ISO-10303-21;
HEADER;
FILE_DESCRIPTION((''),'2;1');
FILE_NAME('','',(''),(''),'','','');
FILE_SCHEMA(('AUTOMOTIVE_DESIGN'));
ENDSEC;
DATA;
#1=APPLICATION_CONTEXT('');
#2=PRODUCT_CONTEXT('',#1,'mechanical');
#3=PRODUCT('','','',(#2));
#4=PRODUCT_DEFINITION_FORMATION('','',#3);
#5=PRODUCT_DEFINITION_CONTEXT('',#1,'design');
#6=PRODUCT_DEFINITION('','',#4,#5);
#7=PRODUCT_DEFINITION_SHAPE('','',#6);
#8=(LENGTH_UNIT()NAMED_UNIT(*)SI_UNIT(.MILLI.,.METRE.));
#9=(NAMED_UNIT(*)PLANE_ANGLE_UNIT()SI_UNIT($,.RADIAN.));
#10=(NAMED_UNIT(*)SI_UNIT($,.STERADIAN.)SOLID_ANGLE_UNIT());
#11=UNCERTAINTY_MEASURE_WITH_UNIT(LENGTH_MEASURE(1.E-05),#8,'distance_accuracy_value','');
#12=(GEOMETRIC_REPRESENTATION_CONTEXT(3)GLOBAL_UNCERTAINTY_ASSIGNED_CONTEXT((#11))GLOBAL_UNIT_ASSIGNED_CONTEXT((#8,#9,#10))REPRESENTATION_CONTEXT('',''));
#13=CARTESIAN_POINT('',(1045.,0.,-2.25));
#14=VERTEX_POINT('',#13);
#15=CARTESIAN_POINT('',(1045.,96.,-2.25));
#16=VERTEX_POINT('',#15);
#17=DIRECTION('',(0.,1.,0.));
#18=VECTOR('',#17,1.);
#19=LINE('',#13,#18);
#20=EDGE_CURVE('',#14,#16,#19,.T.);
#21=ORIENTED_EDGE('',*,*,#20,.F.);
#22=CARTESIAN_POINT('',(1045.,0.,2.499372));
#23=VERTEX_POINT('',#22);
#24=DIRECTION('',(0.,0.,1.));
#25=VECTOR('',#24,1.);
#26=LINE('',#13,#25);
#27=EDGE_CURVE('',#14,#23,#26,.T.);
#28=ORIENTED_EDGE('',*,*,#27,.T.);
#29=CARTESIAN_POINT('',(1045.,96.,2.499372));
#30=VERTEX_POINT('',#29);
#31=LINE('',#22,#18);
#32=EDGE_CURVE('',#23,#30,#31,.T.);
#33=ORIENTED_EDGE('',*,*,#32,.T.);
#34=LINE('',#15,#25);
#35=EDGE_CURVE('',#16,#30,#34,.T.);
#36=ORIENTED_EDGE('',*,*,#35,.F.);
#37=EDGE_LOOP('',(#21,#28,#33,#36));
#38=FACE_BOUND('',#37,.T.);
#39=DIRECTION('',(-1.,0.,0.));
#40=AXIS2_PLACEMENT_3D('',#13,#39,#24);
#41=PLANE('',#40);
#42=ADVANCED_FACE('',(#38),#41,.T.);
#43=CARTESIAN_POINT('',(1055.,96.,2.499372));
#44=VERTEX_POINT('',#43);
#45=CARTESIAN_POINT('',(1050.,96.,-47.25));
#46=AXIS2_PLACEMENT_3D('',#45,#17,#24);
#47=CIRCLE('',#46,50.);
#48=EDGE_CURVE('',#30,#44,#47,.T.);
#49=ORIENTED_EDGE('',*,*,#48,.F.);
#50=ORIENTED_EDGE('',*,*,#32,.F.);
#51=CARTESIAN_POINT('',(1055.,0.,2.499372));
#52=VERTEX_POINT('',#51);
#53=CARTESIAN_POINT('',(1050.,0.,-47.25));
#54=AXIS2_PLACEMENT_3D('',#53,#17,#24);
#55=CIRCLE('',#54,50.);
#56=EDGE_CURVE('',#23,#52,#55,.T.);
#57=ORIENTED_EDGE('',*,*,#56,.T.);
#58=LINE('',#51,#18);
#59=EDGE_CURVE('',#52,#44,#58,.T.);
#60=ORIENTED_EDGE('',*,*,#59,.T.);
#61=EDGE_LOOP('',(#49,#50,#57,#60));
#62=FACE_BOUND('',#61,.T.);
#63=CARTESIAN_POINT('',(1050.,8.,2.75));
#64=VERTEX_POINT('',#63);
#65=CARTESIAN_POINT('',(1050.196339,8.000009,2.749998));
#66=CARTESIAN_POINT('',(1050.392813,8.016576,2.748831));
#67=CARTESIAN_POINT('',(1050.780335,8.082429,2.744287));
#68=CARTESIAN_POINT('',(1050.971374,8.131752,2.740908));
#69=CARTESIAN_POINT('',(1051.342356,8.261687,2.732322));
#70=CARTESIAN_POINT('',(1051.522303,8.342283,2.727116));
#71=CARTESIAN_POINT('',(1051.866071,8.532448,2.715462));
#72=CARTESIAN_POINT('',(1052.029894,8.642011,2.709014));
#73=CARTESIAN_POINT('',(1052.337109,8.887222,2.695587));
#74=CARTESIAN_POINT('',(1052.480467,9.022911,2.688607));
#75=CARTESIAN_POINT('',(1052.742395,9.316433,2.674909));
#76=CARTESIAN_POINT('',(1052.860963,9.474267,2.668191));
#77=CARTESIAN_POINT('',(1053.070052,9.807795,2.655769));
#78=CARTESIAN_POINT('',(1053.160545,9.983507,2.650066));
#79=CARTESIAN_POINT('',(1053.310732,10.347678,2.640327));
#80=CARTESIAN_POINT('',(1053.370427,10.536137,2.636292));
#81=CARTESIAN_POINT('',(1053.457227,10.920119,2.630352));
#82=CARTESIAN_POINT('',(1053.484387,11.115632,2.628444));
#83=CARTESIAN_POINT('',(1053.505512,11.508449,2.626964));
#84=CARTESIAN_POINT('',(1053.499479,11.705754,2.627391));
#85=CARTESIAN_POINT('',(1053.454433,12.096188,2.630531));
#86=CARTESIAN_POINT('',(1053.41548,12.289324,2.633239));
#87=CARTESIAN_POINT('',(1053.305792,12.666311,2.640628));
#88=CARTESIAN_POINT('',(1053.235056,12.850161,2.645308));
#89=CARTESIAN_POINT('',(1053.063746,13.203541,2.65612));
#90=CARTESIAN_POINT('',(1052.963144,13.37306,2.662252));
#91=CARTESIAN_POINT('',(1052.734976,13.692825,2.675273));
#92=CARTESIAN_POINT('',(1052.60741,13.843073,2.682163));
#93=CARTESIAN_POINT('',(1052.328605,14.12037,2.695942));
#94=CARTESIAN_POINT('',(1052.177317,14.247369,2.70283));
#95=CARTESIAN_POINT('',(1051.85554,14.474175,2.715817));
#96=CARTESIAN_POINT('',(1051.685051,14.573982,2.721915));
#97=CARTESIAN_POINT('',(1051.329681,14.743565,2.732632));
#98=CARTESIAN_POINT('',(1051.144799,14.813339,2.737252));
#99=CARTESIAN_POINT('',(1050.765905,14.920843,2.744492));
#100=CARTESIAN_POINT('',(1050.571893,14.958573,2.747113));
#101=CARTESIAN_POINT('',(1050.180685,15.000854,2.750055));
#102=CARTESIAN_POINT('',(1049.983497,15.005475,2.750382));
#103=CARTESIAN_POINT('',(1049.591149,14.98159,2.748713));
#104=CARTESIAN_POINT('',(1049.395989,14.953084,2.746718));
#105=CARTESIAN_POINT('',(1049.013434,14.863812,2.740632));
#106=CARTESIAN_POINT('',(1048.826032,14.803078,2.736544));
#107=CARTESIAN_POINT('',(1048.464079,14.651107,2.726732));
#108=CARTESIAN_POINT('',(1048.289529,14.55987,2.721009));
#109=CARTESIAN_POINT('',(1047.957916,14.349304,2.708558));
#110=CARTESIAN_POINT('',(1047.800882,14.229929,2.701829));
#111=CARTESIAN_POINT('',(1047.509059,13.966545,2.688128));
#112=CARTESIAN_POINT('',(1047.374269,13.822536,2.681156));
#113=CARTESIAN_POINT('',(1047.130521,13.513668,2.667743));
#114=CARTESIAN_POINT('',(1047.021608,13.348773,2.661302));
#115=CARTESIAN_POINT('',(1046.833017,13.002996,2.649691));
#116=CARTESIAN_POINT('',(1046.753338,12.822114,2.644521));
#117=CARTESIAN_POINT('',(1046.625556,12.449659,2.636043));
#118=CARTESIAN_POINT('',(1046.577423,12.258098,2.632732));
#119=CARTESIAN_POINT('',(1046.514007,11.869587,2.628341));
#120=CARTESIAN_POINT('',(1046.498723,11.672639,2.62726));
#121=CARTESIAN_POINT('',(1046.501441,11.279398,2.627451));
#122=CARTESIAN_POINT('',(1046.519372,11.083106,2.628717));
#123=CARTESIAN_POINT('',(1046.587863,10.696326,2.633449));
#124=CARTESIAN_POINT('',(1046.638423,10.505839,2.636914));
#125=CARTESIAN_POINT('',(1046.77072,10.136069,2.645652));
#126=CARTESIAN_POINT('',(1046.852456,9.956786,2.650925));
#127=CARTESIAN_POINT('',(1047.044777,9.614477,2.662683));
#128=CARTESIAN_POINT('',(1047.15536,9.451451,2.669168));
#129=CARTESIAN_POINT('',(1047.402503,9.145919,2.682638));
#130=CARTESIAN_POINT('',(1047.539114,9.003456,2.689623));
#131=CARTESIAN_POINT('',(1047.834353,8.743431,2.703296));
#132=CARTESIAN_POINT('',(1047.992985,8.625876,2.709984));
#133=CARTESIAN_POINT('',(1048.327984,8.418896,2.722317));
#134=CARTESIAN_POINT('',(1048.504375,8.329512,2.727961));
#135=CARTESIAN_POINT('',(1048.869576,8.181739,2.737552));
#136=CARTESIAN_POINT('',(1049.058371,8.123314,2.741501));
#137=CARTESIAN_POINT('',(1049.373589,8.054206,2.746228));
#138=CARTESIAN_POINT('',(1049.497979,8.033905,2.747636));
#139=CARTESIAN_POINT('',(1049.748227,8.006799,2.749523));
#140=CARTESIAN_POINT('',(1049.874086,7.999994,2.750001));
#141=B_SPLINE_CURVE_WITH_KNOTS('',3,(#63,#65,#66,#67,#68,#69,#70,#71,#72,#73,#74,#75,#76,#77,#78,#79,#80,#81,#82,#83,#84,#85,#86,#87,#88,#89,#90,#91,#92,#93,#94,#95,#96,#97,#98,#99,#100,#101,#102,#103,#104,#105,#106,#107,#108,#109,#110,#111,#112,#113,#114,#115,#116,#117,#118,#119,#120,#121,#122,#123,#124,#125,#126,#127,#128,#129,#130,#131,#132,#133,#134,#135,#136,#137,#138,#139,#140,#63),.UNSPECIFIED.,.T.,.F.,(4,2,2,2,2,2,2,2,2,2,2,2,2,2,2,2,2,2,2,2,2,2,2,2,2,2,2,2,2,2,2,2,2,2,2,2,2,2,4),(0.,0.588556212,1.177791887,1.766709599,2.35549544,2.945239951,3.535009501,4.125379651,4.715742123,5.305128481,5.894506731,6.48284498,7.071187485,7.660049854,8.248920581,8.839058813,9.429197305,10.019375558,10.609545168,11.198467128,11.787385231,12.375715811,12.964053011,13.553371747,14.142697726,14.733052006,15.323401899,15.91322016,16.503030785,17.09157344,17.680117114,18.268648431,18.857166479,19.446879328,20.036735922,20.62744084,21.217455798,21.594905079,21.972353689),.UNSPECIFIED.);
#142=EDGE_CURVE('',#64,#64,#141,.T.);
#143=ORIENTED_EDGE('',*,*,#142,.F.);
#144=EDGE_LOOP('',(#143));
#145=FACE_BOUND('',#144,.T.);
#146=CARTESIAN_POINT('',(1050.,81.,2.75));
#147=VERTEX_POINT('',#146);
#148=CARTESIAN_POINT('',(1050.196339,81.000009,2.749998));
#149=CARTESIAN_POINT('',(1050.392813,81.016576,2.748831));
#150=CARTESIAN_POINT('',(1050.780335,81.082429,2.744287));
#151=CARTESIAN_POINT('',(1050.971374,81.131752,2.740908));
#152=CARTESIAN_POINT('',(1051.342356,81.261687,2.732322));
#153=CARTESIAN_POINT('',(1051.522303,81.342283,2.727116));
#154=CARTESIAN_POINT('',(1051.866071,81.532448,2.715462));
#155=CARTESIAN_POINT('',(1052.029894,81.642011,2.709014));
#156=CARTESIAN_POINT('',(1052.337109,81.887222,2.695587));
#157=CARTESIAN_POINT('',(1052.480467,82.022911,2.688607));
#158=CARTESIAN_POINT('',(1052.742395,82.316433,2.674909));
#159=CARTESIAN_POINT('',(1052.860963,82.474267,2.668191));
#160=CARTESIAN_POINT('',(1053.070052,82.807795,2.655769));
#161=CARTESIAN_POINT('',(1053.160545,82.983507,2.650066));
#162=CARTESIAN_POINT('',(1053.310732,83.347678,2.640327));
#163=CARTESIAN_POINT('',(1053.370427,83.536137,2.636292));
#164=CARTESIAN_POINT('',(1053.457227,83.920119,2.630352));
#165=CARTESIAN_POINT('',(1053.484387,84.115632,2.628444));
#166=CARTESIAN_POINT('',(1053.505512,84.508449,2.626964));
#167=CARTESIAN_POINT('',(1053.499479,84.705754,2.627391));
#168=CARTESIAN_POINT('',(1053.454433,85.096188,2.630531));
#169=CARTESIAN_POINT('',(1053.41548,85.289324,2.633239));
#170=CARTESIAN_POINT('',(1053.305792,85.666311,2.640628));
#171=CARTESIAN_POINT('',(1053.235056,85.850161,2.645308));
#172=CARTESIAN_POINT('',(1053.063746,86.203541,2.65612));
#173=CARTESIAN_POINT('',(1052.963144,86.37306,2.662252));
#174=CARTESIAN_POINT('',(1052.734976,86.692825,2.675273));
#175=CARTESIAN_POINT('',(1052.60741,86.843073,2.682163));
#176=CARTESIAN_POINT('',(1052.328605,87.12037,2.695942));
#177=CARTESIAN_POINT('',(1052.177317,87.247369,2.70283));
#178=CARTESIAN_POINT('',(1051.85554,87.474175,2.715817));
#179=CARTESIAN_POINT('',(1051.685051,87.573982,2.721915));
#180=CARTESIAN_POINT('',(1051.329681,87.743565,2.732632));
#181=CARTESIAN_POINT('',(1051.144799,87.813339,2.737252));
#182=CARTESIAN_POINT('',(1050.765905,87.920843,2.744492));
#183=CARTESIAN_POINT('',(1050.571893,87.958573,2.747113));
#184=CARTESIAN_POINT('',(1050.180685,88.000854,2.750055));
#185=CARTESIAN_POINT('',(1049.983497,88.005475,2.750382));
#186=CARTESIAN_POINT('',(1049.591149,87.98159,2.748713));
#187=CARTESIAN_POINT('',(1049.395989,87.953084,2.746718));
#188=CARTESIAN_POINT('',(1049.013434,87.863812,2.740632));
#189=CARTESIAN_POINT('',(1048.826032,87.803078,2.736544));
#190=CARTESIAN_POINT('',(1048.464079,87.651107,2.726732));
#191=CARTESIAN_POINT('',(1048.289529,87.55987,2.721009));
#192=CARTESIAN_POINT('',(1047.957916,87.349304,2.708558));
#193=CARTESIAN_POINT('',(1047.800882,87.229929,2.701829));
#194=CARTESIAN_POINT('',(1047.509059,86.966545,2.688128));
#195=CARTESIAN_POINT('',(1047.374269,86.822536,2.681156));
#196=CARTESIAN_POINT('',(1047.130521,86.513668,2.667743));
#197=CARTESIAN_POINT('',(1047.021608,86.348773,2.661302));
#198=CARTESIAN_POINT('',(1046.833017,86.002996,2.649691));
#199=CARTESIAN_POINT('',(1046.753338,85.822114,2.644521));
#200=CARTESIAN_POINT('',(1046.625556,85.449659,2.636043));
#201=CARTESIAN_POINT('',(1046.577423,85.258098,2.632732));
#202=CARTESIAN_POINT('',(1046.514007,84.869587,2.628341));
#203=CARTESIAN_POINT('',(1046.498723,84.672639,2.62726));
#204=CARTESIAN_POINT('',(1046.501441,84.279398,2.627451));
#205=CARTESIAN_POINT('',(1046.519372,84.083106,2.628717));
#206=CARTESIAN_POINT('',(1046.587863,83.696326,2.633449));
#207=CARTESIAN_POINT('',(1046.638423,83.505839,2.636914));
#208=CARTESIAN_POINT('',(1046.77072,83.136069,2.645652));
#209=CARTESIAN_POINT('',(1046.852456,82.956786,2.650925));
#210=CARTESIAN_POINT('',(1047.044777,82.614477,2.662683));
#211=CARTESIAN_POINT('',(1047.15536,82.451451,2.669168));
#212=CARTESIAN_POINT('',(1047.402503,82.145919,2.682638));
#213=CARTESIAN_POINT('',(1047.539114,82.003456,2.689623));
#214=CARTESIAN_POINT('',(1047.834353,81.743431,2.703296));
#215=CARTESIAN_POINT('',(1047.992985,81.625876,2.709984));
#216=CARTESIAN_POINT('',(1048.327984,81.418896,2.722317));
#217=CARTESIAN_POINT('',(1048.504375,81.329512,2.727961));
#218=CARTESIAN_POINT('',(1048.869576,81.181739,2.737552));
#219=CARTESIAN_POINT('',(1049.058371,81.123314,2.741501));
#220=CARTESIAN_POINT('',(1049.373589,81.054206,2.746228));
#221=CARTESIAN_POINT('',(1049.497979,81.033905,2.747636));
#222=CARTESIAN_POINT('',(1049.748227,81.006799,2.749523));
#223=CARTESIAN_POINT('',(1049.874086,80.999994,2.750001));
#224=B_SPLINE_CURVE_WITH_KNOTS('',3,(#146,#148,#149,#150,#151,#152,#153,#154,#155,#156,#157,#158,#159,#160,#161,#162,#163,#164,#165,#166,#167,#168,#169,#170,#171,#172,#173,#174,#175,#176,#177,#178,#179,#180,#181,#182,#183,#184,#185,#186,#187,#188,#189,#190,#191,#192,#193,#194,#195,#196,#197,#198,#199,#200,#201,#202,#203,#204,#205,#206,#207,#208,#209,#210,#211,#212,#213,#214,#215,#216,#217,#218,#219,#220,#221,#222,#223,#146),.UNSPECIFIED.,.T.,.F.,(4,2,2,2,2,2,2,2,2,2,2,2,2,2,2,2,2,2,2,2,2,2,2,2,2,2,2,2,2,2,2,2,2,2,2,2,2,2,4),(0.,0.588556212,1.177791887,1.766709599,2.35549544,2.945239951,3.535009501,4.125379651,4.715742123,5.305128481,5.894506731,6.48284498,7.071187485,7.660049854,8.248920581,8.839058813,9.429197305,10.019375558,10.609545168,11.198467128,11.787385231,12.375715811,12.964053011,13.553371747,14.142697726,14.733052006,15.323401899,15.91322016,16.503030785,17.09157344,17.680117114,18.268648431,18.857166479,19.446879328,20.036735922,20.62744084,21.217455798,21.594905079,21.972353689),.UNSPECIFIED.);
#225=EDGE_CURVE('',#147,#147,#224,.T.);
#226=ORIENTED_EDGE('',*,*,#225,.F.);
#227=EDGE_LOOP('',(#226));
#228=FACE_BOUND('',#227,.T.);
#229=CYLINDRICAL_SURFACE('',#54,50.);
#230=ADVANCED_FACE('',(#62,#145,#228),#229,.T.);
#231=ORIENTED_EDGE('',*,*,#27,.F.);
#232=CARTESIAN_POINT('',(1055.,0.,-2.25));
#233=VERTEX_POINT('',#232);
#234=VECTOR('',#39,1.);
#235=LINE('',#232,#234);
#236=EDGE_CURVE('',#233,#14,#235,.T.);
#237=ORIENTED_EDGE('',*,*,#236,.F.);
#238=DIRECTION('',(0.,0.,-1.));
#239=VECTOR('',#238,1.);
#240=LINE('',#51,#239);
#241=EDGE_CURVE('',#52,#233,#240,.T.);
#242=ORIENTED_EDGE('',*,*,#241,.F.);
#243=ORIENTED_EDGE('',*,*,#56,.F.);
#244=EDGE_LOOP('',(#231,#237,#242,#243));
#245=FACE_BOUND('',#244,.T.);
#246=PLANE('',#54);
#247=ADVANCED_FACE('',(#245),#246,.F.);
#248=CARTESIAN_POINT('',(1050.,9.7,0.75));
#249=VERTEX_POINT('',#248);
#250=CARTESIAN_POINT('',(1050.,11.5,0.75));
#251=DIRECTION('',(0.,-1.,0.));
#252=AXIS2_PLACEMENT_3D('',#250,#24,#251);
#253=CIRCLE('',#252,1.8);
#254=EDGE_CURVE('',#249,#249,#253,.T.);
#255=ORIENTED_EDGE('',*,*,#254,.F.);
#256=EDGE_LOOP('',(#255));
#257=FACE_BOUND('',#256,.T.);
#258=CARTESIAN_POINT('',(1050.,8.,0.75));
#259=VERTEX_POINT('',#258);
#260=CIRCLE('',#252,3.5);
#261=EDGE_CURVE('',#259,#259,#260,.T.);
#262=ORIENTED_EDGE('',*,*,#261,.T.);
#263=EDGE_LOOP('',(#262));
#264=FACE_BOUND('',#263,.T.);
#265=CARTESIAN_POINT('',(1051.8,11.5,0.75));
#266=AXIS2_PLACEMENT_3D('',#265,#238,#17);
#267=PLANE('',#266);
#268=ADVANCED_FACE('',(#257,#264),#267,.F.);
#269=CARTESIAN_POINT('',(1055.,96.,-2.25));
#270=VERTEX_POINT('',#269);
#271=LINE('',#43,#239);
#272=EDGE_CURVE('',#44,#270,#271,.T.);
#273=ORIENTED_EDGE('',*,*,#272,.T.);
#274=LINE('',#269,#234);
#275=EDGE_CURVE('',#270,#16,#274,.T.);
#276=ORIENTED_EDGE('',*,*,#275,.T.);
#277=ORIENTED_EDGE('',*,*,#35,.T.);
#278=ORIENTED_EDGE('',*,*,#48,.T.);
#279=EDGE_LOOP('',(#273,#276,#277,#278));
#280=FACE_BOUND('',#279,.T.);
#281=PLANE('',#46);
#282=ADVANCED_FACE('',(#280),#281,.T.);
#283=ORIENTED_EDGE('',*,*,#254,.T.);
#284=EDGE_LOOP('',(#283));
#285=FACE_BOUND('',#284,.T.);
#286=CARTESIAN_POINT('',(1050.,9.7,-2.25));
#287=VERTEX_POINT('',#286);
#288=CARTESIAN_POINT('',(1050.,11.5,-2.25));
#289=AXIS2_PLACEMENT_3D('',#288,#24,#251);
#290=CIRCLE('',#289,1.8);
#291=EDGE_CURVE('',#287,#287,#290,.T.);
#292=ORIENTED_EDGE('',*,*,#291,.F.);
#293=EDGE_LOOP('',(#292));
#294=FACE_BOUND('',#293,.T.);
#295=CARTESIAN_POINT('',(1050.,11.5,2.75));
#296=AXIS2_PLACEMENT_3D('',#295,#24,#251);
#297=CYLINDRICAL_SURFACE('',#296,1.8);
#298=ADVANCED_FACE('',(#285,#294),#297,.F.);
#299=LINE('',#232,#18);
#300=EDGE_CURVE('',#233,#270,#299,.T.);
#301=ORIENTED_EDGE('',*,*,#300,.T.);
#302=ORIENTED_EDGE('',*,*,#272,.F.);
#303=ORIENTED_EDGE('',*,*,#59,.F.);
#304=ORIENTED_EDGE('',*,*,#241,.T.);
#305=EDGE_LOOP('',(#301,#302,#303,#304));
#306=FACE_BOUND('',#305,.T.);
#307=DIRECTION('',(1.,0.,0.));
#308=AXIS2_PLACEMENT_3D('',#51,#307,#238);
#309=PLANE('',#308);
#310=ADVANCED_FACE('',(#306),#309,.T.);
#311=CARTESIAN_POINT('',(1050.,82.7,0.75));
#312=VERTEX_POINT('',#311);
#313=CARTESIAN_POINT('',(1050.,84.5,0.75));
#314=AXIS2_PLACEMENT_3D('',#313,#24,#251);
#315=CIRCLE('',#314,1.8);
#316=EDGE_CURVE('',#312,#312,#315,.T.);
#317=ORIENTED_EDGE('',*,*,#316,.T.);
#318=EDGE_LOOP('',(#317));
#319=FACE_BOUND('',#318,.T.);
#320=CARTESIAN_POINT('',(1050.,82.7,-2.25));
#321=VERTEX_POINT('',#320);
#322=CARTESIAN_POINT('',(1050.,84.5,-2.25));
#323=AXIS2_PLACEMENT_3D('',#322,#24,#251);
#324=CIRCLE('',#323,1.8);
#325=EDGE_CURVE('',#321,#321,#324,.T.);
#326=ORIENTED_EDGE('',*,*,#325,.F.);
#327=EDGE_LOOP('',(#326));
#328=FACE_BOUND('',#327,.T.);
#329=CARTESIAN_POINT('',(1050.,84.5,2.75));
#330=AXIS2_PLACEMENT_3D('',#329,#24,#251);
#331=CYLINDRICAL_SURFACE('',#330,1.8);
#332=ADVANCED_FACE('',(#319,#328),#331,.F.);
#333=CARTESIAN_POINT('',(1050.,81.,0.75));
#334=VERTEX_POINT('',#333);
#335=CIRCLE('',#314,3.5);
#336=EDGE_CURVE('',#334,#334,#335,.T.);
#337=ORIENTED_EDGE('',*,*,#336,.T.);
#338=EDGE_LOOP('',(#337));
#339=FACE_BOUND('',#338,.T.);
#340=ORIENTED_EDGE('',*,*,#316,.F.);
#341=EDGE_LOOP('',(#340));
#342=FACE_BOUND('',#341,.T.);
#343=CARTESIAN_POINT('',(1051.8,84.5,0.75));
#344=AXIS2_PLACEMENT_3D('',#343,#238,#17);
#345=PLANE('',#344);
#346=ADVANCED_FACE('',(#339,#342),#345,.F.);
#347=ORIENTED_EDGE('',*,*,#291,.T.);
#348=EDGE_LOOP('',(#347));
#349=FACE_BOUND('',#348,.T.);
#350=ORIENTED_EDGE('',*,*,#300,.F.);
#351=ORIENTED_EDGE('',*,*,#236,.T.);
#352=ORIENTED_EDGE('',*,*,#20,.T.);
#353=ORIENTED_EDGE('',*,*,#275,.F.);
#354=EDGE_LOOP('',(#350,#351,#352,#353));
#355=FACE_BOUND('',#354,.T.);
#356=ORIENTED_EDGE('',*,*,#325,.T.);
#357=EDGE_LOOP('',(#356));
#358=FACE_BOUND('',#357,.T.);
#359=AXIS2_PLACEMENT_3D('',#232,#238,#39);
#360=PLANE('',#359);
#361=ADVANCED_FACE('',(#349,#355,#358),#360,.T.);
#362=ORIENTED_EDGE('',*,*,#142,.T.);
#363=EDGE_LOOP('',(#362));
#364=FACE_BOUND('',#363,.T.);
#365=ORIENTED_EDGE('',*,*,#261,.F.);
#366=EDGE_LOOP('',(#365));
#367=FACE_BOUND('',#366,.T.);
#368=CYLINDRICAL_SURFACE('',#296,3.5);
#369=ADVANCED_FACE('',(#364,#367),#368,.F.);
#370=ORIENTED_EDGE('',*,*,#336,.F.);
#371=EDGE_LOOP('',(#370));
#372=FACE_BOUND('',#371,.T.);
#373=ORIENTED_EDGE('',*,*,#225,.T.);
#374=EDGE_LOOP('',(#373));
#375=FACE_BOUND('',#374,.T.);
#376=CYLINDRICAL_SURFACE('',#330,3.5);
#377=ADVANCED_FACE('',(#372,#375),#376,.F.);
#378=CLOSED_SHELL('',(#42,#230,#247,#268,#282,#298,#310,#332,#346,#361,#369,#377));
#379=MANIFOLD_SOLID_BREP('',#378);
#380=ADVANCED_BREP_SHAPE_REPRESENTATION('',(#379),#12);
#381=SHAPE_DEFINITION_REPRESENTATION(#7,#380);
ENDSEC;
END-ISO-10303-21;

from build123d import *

# Parameters (mm, degrees)
EXTRUDE_1_DEPTH              = 96
HOLE_WIZARD_M3_1_D           = 3.6
HOLE_WIZARD_M3_1_DEPTH       = 5
HOLE_WIZARD_M3_1_CBORE_D     = 7
HOLE_WIZARD_M3_1_CBORE_DEPTH = 2


with BuildPart() as part:
    # 草图1 → 凸台-拉伸1 (new body)
    with BuildSketch(Plane(origin=(0, 96, 0), x_dir=(1, 0, 0), z_dir=(0, 1, 0))):
        with BuildLine():
            Line((1055, -2.499371855), (1055, 2.25))
            Line((1055, 2.25), (1045, 2.25))
            Line((1045, 2.25), (1045, -2.499371855))
            ThreePointArc((1045, -2.499371855), (1050, -2.75), (1055, -2.499371855))
        make_face()
    extrude(amount=-EXTRUDE_1_DEPTH)

    # M3 六角头机械螺钉的柱形沉头孔1
    with Locations(Plane(origin=(1050, 84.5, 2.75), x_dir=(0, 1, 0), z_dir=(0, 0, 1))):
        with Locations((0, 0)):
            hole_wizard_m3_1 = CounterBoreHole(HOLE_WIZARD_M3_1_D / 2, HOLE_WIZARD_M3_1_CBORE_D / 2, HOLE_WIZARD_M3_1_CBORE_DEPTH, depth=HOLE_WIZARD_M3_1_DEPTH)

    # 镜向1: M3 六角头机械螺钉的柱形沉头孔1 across plane
    add(hole_wizard_m3_1.mirror(Plane(origin=(0, 48, 0), x_dir=(0, 0, 1), z_dir=(0, -1, 0))), mode=Mode.SUBTRACT)


solid = part.part
